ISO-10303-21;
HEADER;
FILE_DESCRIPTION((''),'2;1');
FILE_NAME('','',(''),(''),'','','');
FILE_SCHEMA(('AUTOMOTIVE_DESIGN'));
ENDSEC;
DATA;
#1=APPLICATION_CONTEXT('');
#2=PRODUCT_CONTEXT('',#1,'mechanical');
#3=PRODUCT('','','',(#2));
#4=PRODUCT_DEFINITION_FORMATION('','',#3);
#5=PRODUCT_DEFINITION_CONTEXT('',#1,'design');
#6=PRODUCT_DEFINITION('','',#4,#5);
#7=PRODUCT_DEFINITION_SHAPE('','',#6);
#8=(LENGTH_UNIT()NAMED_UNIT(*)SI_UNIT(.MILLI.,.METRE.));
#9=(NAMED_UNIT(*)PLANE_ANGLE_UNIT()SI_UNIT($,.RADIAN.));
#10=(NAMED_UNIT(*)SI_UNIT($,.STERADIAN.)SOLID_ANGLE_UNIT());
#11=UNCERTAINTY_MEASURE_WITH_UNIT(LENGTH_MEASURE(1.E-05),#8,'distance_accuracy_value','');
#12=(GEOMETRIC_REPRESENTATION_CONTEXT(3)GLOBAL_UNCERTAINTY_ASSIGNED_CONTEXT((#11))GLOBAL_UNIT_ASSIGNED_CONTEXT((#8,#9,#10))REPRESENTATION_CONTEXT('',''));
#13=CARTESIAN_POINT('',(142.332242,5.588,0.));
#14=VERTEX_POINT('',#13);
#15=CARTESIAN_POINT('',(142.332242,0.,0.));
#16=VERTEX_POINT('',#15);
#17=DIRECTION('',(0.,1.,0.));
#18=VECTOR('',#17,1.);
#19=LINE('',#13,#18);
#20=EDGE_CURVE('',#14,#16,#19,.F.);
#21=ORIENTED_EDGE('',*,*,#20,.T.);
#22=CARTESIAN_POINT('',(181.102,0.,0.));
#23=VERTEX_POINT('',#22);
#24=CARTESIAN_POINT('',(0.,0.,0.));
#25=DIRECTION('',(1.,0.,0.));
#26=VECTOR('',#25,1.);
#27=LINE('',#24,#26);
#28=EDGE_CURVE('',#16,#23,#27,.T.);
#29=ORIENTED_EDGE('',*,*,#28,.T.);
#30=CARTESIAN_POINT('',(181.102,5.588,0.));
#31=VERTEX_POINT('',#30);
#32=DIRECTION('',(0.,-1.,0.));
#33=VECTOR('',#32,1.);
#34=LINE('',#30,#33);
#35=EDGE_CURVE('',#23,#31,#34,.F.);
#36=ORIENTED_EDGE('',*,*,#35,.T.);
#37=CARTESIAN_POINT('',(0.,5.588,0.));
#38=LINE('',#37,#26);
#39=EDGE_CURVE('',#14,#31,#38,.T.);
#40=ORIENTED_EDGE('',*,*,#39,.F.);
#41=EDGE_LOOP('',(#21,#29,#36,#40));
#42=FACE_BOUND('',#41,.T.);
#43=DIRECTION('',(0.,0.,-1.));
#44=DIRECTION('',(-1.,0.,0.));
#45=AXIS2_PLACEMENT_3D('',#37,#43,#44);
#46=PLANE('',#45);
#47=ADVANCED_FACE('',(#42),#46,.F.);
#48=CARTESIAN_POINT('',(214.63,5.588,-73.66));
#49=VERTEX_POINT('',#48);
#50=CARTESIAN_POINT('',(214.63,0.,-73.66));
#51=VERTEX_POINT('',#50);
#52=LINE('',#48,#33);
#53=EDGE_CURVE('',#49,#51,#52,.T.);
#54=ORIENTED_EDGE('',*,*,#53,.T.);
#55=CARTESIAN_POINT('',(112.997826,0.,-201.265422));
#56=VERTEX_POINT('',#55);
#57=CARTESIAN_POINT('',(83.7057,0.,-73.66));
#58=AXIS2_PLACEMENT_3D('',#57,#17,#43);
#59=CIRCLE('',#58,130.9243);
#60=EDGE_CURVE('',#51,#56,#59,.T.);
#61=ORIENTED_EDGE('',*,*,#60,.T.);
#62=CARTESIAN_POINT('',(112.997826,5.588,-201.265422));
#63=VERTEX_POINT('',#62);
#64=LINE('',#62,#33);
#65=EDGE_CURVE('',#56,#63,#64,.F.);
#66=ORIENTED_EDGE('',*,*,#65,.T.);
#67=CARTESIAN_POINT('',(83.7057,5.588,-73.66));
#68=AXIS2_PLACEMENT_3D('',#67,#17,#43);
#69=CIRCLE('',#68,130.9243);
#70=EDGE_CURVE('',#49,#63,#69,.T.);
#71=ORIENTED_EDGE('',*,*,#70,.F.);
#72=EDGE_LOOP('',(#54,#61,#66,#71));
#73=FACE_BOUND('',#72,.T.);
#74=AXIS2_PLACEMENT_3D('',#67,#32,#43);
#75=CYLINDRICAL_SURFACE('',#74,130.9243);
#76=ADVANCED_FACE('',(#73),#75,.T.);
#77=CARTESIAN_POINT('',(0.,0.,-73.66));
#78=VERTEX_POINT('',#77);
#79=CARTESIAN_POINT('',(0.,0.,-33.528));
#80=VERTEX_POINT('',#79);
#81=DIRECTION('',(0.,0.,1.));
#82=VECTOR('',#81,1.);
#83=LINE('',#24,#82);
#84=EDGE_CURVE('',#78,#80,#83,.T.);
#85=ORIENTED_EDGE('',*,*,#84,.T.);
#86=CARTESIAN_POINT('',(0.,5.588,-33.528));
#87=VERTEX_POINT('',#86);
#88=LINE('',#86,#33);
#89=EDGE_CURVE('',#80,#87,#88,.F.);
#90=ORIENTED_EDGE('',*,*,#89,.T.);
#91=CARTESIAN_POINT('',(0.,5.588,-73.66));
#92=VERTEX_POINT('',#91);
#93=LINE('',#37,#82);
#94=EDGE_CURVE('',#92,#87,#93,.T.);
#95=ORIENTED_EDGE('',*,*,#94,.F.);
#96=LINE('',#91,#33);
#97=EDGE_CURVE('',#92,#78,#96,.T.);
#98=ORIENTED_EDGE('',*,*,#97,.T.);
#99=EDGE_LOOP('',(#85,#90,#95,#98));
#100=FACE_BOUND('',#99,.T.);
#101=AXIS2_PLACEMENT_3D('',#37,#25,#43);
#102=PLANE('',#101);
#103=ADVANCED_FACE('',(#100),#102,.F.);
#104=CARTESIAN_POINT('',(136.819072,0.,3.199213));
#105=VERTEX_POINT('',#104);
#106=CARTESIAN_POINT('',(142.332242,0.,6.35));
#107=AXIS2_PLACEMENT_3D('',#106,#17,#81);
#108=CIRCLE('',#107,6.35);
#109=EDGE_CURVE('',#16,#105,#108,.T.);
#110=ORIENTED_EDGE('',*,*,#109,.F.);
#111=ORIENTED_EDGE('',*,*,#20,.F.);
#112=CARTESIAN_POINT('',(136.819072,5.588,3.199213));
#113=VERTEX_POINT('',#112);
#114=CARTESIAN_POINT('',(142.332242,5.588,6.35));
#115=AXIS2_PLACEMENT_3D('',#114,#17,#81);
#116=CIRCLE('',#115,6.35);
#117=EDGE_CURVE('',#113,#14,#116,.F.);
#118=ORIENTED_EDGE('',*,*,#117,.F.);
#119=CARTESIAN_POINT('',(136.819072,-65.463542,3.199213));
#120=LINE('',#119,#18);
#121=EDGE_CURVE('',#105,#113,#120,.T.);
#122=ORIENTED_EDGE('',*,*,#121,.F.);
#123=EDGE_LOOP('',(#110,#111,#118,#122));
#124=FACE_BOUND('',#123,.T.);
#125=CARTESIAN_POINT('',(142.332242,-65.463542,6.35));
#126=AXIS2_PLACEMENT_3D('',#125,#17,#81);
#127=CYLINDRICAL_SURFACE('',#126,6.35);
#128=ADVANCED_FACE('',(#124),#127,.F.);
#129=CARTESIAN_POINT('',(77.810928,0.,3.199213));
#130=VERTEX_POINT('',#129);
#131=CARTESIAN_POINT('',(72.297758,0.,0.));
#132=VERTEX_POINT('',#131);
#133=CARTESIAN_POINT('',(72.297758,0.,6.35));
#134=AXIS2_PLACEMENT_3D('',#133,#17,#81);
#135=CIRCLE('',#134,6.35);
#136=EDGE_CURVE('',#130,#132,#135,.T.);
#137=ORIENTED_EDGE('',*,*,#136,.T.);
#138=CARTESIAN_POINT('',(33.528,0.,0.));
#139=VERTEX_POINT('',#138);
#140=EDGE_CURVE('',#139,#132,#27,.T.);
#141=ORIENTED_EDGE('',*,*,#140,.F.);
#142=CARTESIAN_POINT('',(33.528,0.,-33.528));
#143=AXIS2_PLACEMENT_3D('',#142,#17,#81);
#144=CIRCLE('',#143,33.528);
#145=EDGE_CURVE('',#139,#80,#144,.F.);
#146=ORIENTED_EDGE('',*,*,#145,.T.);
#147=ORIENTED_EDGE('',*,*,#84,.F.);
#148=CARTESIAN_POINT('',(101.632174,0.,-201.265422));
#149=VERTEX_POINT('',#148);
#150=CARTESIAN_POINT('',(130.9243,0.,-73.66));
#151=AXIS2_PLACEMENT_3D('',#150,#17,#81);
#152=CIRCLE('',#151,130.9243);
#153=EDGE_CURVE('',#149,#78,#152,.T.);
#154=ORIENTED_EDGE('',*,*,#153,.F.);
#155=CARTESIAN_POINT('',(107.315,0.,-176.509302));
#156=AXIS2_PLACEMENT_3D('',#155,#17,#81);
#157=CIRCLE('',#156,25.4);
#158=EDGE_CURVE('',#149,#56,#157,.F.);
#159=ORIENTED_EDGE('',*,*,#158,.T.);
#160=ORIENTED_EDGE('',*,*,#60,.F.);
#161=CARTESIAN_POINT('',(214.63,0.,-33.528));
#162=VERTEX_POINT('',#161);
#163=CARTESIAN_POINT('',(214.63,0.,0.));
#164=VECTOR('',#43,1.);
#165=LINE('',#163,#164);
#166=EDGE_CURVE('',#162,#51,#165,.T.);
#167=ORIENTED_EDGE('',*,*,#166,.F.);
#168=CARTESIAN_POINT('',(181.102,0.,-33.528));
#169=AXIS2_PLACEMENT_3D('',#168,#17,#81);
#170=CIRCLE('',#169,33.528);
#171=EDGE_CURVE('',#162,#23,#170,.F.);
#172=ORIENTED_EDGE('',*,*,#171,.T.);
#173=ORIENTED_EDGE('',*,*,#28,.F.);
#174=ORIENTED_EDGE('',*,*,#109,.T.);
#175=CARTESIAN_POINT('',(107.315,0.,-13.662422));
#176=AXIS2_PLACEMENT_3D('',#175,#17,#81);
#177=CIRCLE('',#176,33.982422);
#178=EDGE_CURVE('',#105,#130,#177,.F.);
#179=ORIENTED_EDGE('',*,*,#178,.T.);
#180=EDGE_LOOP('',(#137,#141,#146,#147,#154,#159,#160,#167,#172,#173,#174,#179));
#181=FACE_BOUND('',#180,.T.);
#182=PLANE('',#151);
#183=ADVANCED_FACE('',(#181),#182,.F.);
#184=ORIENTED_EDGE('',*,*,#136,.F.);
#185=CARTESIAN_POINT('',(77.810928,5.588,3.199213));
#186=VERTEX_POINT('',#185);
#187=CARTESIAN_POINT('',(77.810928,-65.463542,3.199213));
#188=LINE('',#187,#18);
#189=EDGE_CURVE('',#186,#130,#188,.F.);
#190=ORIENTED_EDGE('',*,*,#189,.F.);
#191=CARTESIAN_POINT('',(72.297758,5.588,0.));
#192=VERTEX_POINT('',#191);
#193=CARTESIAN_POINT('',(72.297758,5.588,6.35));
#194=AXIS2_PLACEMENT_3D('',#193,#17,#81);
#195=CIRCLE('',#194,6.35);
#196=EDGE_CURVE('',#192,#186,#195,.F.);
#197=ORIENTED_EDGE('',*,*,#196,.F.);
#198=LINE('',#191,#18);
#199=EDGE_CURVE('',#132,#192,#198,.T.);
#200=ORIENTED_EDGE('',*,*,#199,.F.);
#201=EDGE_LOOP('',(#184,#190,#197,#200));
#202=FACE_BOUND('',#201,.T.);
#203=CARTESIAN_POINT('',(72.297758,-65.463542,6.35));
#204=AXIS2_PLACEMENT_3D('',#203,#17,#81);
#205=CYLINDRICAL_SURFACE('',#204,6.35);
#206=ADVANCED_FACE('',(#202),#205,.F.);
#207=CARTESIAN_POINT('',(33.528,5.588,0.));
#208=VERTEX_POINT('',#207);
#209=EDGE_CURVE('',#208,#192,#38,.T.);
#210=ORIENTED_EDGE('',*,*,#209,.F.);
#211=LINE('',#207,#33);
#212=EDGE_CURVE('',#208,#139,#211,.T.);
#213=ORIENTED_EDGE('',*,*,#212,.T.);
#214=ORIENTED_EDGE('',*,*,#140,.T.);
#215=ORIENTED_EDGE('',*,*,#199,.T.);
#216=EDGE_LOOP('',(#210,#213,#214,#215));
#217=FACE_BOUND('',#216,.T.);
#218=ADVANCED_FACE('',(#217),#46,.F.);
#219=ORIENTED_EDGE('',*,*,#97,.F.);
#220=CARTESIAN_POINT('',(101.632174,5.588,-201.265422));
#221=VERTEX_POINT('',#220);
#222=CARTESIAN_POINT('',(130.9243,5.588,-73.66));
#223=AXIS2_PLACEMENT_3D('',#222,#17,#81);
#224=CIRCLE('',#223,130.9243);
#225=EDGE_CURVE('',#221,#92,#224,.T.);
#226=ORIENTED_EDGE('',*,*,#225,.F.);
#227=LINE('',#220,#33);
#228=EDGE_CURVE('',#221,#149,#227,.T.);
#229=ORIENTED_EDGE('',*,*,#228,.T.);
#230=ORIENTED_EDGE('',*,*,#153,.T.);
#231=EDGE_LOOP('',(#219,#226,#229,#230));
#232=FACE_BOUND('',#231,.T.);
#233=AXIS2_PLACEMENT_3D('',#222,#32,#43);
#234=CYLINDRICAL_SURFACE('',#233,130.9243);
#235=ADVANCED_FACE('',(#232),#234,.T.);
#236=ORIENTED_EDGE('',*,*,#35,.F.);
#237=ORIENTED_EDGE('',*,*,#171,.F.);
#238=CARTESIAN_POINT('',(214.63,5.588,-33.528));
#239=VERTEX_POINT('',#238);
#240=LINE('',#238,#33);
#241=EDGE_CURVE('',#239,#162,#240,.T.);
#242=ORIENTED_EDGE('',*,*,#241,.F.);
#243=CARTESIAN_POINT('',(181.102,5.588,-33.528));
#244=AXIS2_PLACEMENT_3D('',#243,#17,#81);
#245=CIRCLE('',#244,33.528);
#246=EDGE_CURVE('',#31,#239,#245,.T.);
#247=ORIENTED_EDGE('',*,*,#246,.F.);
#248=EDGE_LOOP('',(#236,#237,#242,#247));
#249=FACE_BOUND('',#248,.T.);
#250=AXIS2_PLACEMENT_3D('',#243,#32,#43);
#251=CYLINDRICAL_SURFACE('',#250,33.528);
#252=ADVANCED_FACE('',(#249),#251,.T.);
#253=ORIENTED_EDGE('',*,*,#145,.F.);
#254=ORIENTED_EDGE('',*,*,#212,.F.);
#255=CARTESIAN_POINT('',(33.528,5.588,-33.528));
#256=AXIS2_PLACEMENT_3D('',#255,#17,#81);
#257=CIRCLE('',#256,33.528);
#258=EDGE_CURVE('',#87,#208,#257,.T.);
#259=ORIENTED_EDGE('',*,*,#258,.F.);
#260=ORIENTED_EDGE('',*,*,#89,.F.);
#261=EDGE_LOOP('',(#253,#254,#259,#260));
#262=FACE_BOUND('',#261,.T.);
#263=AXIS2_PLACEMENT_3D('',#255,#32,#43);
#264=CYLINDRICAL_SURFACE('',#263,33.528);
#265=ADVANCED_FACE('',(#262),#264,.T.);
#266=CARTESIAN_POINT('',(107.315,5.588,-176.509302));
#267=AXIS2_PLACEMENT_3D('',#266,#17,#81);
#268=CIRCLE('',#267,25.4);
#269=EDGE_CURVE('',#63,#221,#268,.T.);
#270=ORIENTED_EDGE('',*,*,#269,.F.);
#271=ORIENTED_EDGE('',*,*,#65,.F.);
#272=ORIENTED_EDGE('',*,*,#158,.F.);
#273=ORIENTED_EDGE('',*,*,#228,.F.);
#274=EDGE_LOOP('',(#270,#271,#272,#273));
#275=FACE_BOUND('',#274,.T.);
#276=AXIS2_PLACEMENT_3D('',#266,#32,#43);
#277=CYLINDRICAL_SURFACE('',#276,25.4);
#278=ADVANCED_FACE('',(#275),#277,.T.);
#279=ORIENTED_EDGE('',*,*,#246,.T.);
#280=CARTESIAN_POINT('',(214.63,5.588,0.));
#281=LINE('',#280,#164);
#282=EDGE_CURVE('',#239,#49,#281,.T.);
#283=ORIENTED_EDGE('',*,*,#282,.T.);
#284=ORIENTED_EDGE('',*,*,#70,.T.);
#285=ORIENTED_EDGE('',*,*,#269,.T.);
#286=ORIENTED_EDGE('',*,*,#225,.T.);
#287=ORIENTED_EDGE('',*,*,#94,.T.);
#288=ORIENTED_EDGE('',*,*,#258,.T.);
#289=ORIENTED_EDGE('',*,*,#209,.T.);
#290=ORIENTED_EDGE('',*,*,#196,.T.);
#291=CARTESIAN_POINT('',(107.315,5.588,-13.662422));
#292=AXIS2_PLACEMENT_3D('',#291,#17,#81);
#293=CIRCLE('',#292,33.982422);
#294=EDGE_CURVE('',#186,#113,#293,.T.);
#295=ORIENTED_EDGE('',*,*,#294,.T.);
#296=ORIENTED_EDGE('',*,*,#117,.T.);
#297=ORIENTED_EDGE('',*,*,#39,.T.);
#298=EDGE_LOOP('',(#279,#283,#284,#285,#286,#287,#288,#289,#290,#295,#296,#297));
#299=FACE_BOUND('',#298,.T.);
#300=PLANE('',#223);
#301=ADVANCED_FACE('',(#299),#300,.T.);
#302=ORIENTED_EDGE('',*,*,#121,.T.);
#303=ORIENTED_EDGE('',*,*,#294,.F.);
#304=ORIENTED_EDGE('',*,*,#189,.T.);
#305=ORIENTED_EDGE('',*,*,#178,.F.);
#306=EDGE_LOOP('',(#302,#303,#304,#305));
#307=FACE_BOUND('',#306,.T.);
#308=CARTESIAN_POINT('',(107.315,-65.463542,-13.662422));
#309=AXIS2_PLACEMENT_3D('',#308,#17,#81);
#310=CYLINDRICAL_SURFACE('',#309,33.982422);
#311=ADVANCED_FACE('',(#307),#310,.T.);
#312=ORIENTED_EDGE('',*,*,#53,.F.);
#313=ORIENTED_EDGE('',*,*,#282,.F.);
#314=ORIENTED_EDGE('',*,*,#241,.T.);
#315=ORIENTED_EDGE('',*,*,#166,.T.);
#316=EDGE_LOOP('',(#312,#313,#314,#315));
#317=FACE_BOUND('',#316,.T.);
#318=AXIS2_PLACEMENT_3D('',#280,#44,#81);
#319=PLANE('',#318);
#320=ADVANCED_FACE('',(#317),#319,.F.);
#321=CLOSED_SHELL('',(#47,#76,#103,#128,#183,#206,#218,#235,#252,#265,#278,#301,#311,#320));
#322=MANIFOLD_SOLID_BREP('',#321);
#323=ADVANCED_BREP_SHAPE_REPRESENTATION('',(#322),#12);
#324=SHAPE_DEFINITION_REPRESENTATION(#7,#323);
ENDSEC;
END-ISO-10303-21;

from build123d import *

# Parameters (mm, degrees)
BOSS_EXTRUDE1_DEPTH = 5.588
FILLET1_R           = 25.4
BOSS_EXTRUDE2_DEPTH = 5.588
FILLET2_R           = 6.35
FILLET3_R           = 33.528


with BuildPart() as part:
    # Sketch1 → Boss-Extrude1 (new body)
    with BuildSketch(Plane(origin=(0, 0, 0), x_dir=(1, 0, 0), z_dir=(0, 1, 0))):
        with BuildLine():
            Line((0, 0), (214.63, 0))
            Line((214.63, 0), (214.63, 73.66))
            ThreePointArc((214.63, 73.66), (184.284533276, 157.475694397), (107.315, 202.438))
            ThreePointArc((107.315, 202.438), (30.345466724, 157.475694397), (0, 73.66))
            Line((0, 73.66), (0, 0))
        make_face()
    extrude(amount=BOSS_EXTRUDE1_DEPTH)

    # Fillet1
    fillet1_edges = [part.edges().sort_by_distance(p)[0] for p in [
        (107.315, 2.794, -202.438),
    ]]
    fillet(fillet1_edges, radius=FILLET1_R)

    # Sketch2 → Boss-Extrude2 (add)
    with BuildSketch(Plane(origin=(0, 5.588, 0), x_dir=(1, 0, 0), z_dir=(0, 1, 0))):
        with BuildLine():
            Line((138.43, 0), (76.2, 0))
            ThreePointArc((76.2, 0), (107.315, -20.32), (138.43, 0))
        make_face()
    extrude(amount=-BOSS_EXTRUDE2_DEPTH)

    # Fillet2
    fillet2_edges = [part.edges().sort_by_distance(p)[0] for p in [
        (76.2, 2.794, 0),
        (138.43, 2.794, 0),
    ]]
    fillet(fillet2_edges, radius=FILLET2_R)

    # Fillet3
    fillet3_edges = [part.edges().sort_by_distance(p)[0] for p in [
        (214.63, 2.794, 0),
        (0, 2.794, 0),
    ]]
    fillet(fillet3_edges, radius=FILLET3_R)


solid = part.part
